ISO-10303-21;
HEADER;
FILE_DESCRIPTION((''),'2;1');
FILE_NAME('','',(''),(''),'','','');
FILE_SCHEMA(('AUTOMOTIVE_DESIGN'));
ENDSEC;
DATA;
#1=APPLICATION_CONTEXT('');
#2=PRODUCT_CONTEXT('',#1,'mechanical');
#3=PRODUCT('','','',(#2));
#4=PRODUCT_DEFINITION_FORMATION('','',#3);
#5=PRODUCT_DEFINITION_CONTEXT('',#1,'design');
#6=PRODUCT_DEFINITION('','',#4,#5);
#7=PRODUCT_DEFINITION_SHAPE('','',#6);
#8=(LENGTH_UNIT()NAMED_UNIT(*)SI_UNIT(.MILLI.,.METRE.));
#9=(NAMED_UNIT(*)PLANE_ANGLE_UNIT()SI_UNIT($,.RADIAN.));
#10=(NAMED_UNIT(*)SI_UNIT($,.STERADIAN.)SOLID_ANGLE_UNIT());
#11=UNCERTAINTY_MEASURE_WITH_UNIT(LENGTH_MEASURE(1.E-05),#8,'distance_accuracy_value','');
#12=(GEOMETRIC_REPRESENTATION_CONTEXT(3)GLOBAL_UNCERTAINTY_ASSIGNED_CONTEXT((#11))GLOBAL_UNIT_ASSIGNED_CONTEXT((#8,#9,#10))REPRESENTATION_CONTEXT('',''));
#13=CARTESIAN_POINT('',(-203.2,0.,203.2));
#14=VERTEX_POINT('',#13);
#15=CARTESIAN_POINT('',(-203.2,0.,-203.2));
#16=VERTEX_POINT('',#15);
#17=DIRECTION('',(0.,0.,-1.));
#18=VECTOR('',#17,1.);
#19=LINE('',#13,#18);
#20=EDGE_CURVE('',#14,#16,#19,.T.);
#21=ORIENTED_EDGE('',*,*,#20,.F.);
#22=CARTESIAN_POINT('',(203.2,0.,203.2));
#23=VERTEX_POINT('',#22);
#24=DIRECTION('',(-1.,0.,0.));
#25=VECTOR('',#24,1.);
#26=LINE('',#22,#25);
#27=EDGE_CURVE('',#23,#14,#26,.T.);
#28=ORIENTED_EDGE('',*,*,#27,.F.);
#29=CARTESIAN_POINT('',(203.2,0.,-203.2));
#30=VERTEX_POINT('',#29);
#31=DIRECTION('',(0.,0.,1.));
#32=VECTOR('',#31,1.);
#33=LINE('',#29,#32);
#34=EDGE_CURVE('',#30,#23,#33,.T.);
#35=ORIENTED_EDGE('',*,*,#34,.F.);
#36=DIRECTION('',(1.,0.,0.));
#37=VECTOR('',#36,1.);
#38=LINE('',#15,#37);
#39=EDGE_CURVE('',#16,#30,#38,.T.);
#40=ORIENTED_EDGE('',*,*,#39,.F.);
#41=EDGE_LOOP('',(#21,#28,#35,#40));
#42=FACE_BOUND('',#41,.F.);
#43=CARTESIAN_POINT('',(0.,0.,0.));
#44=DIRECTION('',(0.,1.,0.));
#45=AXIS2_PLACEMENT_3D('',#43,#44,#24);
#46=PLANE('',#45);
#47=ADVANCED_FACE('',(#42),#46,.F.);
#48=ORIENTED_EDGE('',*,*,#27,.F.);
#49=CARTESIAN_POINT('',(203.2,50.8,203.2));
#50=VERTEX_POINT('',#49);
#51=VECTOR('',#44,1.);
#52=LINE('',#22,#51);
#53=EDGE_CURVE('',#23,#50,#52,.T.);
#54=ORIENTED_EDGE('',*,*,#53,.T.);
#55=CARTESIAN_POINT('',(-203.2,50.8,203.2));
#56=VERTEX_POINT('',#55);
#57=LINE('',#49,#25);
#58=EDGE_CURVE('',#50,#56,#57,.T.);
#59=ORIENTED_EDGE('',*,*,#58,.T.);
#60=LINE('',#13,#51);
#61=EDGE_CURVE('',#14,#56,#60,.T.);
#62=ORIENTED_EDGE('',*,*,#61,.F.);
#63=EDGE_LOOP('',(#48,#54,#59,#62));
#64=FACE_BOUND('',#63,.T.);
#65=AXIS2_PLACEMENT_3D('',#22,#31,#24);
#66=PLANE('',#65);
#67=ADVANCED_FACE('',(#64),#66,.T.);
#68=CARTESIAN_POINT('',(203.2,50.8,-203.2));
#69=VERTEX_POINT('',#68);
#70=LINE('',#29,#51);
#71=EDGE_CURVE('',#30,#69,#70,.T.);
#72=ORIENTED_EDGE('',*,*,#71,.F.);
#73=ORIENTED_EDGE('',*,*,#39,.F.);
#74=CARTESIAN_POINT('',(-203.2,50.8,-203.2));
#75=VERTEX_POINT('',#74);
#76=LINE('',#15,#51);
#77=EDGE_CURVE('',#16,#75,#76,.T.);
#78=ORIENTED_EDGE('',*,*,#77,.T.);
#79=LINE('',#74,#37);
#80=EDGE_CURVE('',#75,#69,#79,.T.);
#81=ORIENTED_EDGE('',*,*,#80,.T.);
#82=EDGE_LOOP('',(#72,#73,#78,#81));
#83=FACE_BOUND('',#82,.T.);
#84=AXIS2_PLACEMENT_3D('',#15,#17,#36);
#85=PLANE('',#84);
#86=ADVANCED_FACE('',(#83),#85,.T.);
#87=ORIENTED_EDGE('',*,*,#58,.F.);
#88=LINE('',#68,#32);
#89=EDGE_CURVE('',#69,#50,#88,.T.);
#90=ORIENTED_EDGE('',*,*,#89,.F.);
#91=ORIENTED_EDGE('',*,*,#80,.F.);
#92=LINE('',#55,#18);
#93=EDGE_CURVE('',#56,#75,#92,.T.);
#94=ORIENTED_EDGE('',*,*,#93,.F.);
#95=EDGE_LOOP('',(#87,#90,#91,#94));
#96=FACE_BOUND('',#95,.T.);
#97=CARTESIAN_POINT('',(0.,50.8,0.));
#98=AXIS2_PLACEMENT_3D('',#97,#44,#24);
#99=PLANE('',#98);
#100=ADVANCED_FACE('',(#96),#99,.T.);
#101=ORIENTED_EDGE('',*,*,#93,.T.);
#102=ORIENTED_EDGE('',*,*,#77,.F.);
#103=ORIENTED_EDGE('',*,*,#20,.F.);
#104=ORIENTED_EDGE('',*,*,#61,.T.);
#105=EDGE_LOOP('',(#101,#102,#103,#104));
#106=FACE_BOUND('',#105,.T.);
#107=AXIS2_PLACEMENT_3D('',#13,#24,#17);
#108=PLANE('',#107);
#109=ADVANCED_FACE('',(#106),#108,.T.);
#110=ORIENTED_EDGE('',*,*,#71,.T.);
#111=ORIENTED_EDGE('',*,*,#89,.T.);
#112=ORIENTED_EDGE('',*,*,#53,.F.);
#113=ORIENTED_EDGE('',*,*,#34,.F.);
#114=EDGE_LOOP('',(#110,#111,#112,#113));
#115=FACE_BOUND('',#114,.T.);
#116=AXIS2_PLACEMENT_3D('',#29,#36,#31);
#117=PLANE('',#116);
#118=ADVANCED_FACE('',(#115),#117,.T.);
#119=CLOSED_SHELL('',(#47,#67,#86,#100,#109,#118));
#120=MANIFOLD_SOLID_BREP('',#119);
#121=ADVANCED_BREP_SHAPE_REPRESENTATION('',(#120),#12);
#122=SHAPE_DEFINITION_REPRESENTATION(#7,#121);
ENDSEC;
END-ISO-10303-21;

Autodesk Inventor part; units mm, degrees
ref_plane "YZ Plane" through (0, 0, 0) normal (1, 0, 0) x (0, 1, 0)
ref_plane "XZ Plane" through (0, 0, 0) normal (0, 1, 0) x (-1, 0, 0)
ref_plane "XY Plane" through (0, 0, 0) normal (0, 0, 1) x (1, 0, 0)
sketch "Sketch1" plane through (0, 0, 0) normal (0, 1, 0) x (-1, 0, 0)
  line L0 (203.2, -203.2) -> (-203.2, -203.2)
  line L1 (-203.2, -203.2) -> (-203.2, 203.2)
  line L2 (-203.2, 203.2) -> (203.2, 203.2)
  line L3 (203.2, 203.2) -> (203.2, -203.2)
  line L4 (203.2, -203.2) -> (-203.2, 203.2) construction
  line L5 (-203.2, -203.2) -> (203.2, 203.2) construction
  point P0 (0, 0)
  dimension "d0" = 406.4
  dimension "d1" = 406.4
extrude "Extrusion1" add sketch "Sketch1" along normal blind 50.8
properties part number "16x16x2 - 14" material "Granite, Cut, Polished"
